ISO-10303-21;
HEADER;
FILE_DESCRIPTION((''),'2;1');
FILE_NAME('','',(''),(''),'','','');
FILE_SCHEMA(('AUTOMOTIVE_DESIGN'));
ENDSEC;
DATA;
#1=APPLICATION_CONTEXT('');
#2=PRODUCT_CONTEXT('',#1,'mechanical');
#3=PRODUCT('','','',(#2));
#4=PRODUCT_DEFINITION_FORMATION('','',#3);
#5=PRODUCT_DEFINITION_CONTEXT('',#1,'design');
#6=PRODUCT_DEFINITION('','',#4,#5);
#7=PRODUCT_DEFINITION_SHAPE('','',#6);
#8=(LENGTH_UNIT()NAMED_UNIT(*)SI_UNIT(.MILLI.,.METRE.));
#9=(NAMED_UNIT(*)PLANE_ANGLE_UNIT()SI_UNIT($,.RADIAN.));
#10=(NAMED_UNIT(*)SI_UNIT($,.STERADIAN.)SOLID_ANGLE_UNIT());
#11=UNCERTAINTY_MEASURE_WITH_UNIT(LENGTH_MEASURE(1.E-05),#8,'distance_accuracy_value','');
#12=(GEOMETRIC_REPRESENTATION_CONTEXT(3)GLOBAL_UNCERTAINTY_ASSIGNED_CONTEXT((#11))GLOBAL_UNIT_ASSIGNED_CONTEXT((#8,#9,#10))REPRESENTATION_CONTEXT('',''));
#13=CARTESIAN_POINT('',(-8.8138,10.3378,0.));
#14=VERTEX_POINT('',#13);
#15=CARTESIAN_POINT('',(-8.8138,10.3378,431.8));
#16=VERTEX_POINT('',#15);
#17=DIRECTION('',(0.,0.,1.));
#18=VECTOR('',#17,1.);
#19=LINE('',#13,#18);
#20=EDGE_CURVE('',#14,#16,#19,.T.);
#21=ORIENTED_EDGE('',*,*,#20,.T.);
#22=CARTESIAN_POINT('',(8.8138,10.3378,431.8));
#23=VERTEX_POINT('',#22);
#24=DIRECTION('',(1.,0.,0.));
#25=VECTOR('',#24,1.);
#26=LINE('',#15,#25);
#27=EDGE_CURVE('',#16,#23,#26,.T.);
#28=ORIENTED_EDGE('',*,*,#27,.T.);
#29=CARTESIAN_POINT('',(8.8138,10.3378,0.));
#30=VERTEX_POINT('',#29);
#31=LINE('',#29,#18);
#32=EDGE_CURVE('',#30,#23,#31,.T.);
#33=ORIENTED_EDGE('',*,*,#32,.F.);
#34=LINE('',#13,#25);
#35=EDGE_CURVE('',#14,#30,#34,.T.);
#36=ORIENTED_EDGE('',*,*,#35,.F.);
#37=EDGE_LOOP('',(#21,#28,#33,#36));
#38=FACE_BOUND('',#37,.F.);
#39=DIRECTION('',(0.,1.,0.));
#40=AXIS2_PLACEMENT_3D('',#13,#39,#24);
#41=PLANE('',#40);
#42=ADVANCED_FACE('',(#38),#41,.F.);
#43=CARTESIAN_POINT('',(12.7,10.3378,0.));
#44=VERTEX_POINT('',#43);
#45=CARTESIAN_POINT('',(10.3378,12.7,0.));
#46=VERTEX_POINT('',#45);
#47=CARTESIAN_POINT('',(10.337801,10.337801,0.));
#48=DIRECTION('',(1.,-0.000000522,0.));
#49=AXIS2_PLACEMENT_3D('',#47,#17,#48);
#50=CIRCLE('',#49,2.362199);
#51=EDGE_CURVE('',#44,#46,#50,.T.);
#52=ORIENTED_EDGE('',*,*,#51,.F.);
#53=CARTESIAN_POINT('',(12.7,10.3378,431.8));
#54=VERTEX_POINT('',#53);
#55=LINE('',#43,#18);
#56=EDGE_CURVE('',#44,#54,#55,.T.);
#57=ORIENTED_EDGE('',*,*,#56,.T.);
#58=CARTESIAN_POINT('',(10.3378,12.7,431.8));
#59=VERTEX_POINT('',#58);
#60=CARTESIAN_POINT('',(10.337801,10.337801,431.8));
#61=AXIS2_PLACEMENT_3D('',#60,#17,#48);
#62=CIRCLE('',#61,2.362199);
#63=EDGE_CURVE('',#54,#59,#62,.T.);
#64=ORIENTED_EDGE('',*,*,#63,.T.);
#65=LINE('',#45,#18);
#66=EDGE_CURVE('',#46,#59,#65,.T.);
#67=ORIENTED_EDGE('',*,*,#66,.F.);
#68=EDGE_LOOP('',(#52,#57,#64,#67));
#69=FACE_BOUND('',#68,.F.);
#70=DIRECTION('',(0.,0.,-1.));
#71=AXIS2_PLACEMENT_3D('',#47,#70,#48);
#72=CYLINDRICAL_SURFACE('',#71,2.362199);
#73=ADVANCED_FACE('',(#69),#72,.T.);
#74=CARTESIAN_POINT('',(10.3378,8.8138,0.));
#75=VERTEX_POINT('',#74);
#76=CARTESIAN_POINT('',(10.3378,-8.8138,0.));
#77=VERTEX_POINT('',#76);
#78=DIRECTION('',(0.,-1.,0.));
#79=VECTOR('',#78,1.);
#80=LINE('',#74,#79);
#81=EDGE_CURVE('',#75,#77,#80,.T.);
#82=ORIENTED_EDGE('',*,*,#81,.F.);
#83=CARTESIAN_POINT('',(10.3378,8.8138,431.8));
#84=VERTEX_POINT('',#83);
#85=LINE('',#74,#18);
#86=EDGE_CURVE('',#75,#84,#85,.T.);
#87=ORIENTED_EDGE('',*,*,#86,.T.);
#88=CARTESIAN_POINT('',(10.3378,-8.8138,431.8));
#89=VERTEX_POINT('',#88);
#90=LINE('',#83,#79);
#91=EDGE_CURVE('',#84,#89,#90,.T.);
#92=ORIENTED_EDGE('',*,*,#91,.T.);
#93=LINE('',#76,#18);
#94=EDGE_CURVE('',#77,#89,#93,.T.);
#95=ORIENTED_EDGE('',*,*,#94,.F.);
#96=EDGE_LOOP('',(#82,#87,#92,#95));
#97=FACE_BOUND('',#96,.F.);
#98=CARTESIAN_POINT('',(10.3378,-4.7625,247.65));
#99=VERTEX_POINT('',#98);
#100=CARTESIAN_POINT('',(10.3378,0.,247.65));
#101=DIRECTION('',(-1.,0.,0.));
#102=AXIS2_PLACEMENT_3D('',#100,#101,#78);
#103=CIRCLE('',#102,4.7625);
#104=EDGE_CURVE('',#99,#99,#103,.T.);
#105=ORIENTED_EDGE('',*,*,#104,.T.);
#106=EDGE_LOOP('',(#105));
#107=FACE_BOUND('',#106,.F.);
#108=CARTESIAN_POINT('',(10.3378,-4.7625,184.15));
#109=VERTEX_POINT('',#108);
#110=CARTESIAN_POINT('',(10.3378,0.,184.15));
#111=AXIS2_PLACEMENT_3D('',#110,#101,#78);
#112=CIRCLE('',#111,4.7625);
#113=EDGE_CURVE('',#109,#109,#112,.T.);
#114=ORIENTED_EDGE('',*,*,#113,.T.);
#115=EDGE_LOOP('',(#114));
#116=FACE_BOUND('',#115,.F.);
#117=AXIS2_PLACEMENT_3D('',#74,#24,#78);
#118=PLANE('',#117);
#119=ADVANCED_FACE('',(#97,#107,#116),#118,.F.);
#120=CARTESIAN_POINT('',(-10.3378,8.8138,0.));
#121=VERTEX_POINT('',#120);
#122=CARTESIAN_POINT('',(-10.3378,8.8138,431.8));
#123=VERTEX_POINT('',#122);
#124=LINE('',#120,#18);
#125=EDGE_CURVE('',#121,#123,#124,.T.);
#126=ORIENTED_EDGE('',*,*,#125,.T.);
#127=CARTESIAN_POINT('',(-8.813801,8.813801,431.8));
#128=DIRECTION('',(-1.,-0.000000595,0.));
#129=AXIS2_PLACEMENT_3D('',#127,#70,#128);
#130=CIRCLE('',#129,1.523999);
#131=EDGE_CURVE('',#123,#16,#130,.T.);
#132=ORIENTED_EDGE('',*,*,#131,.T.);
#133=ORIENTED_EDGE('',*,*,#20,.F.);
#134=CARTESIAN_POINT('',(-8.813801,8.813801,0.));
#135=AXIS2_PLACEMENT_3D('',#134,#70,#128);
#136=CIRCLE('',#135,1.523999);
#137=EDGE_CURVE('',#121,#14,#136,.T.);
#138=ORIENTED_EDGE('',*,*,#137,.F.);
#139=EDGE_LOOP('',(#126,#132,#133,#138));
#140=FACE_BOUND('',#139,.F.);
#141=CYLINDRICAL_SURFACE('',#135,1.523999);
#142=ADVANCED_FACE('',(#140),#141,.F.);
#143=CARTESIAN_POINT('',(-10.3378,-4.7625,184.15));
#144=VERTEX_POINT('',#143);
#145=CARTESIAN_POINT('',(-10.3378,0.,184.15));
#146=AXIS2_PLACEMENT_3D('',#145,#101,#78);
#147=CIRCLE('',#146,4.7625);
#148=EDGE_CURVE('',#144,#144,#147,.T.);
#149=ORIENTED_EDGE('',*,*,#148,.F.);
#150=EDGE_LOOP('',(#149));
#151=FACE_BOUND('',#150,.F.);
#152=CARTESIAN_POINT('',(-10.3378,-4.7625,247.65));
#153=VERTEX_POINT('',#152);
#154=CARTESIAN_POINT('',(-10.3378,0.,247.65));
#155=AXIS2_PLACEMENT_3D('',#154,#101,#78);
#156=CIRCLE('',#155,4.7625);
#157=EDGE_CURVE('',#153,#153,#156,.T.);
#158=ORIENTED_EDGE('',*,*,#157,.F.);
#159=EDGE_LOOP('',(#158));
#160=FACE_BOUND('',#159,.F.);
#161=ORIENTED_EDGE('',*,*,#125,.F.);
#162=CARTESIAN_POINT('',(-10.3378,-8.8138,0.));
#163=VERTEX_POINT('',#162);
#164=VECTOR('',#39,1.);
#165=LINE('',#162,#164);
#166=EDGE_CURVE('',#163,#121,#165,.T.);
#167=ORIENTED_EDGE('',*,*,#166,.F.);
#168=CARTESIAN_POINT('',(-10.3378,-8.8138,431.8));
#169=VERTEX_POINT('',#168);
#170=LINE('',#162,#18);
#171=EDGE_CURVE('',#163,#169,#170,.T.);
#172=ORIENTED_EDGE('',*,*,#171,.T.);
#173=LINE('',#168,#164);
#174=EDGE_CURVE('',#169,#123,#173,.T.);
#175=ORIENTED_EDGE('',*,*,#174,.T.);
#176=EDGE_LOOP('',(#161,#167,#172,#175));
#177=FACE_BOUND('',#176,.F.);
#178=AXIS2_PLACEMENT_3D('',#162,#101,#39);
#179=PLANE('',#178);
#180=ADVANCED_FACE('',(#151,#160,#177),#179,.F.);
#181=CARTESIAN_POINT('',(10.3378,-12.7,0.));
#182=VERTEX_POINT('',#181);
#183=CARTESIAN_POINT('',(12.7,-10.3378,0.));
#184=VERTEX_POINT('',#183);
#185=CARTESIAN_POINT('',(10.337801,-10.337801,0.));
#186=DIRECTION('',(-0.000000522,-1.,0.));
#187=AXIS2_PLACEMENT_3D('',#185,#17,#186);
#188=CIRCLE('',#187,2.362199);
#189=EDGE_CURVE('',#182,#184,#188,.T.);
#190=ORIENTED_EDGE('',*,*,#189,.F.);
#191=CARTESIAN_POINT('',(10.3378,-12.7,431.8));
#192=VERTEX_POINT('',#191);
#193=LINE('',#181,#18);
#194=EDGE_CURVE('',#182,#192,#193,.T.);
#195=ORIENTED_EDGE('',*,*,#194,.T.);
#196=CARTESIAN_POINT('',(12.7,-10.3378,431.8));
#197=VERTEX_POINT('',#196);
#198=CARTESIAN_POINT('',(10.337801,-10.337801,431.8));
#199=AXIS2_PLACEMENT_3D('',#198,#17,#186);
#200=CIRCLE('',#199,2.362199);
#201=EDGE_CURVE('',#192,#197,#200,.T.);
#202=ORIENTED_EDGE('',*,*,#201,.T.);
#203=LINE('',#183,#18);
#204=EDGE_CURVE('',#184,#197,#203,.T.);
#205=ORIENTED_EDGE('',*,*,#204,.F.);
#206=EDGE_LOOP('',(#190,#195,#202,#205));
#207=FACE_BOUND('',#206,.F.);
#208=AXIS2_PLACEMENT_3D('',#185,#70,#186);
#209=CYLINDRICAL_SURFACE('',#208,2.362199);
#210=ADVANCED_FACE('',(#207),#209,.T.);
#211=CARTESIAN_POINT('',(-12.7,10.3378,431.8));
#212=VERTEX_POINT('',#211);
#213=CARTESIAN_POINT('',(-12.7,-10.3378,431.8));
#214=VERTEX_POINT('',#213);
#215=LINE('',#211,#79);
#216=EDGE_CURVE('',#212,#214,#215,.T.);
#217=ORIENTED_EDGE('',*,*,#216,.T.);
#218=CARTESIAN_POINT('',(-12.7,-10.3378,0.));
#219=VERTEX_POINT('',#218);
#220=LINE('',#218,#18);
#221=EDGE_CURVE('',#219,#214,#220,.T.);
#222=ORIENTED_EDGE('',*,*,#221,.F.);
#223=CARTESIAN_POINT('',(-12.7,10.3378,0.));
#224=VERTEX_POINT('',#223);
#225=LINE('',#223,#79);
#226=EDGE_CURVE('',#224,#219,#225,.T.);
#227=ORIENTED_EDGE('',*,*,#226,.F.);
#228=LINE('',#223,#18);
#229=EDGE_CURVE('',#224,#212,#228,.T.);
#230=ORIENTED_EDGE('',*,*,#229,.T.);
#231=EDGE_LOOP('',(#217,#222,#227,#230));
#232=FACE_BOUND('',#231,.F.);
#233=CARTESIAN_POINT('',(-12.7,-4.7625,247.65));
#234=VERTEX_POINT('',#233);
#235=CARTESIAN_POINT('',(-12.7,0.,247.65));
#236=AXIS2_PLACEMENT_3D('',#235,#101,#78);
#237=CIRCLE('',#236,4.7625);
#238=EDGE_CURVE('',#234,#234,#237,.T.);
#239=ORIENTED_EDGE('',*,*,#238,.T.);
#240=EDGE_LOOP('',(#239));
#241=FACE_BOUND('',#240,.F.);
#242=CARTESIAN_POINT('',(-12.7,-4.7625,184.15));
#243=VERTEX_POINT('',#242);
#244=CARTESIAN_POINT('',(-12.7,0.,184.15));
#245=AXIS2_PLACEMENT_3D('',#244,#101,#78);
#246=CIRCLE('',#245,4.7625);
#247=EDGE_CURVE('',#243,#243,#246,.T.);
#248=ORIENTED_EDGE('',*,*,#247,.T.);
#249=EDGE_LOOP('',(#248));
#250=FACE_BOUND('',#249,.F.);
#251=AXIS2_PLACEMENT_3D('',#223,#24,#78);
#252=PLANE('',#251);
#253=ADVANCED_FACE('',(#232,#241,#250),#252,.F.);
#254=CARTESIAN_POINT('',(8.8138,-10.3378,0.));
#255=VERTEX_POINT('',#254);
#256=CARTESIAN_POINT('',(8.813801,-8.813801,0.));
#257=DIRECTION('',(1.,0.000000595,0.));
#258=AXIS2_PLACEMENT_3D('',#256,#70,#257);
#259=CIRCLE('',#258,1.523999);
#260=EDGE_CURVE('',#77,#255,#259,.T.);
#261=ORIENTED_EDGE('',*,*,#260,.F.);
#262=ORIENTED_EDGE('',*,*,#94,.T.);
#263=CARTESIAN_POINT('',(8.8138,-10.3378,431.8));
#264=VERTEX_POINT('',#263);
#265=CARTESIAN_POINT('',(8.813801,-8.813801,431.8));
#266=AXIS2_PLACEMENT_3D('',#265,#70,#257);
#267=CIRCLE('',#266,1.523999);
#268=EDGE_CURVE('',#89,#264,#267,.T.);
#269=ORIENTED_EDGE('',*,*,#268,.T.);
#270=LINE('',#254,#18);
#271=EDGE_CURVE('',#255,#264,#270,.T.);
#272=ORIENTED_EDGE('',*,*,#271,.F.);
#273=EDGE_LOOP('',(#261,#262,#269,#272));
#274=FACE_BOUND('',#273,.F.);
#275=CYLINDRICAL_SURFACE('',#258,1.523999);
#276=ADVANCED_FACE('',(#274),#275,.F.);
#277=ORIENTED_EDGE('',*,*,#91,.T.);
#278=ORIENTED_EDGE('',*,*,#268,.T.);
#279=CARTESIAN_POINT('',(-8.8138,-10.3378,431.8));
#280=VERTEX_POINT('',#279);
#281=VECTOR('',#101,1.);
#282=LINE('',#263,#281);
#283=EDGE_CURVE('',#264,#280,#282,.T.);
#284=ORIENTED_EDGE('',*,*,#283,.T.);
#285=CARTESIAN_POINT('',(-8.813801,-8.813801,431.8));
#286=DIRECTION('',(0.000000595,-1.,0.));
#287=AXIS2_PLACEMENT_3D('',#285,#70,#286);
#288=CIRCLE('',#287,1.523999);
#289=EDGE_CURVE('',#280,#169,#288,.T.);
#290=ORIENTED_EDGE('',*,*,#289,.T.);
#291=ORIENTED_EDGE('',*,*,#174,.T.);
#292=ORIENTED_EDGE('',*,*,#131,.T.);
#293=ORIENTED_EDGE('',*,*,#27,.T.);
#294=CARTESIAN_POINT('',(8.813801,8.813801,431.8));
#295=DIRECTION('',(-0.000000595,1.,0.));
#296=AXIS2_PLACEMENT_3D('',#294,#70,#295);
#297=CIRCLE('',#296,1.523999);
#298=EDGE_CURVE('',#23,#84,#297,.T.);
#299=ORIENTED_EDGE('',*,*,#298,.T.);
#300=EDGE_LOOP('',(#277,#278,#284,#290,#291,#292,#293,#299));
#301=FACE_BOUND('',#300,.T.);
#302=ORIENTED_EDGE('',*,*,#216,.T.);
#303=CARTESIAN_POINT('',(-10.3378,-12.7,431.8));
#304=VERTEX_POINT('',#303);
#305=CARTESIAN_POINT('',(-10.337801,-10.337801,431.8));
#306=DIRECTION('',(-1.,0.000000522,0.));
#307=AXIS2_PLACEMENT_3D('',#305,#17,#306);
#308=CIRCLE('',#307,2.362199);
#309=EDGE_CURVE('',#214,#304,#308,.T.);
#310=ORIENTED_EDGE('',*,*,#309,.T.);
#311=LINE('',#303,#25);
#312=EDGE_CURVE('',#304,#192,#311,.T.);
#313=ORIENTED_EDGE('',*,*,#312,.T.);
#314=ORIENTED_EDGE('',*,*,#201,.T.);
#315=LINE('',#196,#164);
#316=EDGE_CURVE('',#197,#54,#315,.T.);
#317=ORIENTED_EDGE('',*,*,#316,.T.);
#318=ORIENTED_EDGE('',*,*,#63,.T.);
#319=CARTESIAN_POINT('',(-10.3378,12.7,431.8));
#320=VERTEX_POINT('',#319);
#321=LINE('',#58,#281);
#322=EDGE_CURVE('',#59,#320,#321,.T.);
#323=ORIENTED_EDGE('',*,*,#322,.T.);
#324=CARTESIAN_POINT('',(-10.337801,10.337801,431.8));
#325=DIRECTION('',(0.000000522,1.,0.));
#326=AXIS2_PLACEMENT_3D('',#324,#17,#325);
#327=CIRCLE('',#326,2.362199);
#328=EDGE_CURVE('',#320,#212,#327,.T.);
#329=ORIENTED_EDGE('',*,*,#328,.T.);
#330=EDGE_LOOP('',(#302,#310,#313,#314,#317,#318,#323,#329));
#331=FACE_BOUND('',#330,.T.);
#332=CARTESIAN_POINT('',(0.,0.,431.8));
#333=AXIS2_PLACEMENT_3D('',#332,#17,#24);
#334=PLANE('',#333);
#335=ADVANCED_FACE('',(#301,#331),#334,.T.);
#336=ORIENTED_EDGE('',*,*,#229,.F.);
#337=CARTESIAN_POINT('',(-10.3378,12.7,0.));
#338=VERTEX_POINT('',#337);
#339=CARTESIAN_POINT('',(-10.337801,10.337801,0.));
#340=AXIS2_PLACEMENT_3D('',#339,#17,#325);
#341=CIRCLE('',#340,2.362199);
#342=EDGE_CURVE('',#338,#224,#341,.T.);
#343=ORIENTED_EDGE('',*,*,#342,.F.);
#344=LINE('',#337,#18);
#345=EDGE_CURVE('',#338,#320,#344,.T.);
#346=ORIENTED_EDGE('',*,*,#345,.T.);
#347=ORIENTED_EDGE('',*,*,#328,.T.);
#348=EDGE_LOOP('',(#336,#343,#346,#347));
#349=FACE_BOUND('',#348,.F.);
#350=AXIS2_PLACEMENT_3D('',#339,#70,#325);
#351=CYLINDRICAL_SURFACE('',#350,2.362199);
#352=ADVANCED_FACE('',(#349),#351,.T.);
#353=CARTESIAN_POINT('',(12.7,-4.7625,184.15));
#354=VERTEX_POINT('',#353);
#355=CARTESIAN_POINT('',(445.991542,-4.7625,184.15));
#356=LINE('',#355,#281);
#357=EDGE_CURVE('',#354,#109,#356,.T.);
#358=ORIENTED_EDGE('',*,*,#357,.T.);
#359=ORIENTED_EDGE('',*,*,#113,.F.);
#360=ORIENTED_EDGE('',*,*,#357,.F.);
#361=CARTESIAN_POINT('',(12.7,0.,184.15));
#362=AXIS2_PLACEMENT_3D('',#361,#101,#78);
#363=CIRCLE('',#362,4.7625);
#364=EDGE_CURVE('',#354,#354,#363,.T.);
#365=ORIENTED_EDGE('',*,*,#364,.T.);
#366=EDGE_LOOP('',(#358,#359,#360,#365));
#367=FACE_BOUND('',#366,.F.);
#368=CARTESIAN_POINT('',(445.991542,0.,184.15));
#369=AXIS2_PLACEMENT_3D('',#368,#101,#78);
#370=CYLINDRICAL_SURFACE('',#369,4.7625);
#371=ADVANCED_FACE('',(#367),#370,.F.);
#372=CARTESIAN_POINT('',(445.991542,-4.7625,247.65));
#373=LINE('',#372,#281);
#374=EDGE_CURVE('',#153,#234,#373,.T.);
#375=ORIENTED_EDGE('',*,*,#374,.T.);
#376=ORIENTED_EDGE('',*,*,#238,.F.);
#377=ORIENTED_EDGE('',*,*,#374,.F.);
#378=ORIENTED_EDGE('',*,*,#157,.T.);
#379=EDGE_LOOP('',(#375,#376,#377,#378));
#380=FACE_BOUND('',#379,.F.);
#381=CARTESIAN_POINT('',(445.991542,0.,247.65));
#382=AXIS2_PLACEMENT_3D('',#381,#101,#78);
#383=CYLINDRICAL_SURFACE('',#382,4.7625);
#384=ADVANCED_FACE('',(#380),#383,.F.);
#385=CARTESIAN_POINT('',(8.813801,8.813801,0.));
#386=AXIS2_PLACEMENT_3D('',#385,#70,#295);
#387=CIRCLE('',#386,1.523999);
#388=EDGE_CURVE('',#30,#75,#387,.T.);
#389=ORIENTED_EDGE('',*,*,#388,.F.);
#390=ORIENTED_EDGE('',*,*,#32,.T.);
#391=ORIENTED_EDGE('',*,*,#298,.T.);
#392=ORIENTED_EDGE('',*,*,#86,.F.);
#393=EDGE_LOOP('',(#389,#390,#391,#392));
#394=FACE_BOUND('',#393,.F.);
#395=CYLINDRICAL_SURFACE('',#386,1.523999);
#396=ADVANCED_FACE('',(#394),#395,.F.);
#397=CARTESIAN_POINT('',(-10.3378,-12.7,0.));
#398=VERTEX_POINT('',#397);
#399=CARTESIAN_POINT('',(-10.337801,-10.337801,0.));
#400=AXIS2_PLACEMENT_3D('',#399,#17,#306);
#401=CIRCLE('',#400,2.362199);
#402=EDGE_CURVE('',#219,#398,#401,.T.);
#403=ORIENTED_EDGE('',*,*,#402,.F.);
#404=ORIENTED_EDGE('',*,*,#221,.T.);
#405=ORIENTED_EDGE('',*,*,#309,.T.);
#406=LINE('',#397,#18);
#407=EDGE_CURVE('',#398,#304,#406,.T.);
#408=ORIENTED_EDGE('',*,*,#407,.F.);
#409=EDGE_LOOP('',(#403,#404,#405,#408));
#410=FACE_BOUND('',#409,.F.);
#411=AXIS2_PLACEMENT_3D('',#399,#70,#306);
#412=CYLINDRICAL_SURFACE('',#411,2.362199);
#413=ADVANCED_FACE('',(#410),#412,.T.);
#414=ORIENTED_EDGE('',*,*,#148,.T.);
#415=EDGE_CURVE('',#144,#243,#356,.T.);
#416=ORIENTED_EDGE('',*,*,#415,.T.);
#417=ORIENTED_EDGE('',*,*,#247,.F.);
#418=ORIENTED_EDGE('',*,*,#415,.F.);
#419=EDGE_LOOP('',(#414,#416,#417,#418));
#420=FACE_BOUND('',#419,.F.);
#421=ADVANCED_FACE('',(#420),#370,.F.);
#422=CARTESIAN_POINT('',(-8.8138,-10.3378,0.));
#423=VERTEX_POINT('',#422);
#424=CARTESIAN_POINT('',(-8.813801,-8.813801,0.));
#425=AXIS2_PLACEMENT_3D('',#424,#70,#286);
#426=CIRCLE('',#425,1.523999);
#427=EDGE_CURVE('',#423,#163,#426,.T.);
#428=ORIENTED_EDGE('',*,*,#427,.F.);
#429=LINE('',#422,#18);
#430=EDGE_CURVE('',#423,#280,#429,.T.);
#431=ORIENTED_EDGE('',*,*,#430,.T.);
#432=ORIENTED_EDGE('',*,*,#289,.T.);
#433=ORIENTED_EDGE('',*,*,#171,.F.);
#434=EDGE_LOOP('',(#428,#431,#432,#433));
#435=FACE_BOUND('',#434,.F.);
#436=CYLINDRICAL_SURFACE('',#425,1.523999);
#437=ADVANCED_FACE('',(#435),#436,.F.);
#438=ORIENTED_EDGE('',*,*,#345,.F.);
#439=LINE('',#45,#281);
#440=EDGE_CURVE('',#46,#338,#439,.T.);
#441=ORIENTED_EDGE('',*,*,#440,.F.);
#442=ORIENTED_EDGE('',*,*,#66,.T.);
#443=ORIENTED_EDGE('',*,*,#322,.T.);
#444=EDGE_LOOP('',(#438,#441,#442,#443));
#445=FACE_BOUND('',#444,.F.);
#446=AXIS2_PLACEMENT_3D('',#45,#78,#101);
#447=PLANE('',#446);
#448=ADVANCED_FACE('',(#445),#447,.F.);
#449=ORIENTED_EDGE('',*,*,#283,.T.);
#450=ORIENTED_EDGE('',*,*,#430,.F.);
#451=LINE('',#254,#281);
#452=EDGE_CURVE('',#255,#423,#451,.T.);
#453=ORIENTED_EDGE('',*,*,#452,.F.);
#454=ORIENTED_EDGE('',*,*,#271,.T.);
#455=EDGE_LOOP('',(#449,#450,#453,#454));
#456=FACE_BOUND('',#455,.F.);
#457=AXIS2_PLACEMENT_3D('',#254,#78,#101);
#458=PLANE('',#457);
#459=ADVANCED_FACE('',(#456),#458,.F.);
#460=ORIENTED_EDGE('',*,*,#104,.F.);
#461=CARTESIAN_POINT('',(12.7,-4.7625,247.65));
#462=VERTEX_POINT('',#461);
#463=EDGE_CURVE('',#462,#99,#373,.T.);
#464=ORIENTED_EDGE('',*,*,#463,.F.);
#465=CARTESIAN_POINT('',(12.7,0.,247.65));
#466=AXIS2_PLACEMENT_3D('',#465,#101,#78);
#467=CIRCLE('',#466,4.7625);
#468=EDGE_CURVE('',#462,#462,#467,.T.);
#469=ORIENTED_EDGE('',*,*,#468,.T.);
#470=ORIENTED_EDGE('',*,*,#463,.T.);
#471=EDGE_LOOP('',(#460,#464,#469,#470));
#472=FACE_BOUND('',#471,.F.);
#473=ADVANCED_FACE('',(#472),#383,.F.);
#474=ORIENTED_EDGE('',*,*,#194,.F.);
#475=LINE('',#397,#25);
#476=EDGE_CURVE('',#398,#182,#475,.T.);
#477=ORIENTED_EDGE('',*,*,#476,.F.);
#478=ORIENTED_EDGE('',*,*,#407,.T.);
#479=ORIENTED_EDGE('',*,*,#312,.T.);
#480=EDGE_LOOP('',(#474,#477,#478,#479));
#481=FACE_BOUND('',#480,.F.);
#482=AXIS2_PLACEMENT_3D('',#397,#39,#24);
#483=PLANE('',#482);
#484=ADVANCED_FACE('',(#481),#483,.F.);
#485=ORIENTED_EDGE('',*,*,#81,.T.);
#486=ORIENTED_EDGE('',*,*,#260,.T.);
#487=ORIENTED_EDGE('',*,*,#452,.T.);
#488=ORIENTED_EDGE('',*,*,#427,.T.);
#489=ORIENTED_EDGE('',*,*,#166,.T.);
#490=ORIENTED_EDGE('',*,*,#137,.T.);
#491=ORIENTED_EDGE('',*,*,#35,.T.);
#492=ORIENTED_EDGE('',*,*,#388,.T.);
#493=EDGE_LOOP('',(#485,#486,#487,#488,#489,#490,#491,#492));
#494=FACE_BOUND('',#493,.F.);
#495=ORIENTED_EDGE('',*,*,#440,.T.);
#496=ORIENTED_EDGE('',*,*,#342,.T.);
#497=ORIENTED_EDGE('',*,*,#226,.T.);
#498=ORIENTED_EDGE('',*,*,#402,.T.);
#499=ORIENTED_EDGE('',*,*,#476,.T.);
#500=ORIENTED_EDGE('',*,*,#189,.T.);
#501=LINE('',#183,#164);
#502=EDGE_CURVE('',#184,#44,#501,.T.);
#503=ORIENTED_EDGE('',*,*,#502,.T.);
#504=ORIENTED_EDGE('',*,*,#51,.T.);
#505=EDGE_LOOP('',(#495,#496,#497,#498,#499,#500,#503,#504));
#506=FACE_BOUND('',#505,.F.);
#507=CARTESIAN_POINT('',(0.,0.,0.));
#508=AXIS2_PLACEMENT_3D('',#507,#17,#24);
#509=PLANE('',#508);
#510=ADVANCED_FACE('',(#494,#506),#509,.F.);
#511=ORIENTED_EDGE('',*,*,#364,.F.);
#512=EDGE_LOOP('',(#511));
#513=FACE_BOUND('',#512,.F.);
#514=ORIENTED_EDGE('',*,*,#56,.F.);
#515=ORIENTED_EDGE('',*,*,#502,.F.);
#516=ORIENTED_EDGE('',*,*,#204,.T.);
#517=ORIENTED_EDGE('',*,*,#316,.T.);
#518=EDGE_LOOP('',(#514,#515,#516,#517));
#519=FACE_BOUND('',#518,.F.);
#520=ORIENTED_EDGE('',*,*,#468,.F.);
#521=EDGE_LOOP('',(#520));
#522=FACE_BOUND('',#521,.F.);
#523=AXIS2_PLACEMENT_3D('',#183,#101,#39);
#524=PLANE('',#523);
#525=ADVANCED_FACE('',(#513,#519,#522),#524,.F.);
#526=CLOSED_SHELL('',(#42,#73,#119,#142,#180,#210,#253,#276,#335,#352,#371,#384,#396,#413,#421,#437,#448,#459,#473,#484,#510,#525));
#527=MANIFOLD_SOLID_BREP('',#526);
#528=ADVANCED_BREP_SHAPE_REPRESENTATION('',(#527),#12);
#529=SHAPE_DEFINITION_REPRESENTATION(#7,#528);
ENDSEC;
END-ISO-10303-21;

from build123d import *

# Parameters (mm, degrees)
F1_DEPTH = 431.8
F3_D     = 9.525


with BuildPart() as f1:
    # F0 (on Top) → F1 (new body)
    with BuildSketch(Plane.XY):
        with BuildLine():
            ThreePointArc((-10.3378, 12.7), (-12.008128, 12.008128), (-12.7, 10.3378))
            Line((-12.7, 10.3378), (-12.7, -10.3378))
            ThreePointArc((-12.7, -10.3378), (-12.008128, -12.008128), (-10.3378, -12.7))
            Line((-10.3378, -12.7), (10.3378, -12.7))
            ThreePointArc((10.3378, -12.7), (12.008128, -12.008128), (12.7, -10.3378))
            Line((12.7, -10.3378), (12.7, 10.3378))
            ThreePointArc((12.7, 10.3378), (12.008128, 12.008128), (10.3378, 12.7))
            Line((10.3378, 12.7), (-10.3378, 12.7))
        make_face()
        with BuildLine():
            Line((-8.8138, 10.3378), (8.8138, 10.3378))
            ThreePointArc((8.8138, 10.3378), (9.891431, 9.891431), (10.3378, 8.8138))
            Line((10.3378, 8.8138), (10.3378, -8.8138))
            ThreePointArc((10.3378, -8.8138), (9.891431, -9.891431), (8.8138, -10.3378))
            Line((8.8138, -10.3378), (-8.8138, -10.3378))
            ThreePointArc((-8.8138, -10.3378), (-9.891431, -9.891431), (-10.3378, -8.8138))
            Line((-10.3378, -8.8138), (-10.3378, 8.8138))
            ThreePointArc((-10.3378, 8.8138), (-9.891431, 9.891431), (-8.8138, 10.3378))
        make_face(mode=Mode.SUBTRACT)
    extrude(amount=F1_DEPTH)

    # F3 (through all)
    with Locations(Plane.YZ.offset(12.7)):
        with Locations((0, 247.65), (0, 184.15)):
            Hole(F3_D / 2)


solid = f1.part
